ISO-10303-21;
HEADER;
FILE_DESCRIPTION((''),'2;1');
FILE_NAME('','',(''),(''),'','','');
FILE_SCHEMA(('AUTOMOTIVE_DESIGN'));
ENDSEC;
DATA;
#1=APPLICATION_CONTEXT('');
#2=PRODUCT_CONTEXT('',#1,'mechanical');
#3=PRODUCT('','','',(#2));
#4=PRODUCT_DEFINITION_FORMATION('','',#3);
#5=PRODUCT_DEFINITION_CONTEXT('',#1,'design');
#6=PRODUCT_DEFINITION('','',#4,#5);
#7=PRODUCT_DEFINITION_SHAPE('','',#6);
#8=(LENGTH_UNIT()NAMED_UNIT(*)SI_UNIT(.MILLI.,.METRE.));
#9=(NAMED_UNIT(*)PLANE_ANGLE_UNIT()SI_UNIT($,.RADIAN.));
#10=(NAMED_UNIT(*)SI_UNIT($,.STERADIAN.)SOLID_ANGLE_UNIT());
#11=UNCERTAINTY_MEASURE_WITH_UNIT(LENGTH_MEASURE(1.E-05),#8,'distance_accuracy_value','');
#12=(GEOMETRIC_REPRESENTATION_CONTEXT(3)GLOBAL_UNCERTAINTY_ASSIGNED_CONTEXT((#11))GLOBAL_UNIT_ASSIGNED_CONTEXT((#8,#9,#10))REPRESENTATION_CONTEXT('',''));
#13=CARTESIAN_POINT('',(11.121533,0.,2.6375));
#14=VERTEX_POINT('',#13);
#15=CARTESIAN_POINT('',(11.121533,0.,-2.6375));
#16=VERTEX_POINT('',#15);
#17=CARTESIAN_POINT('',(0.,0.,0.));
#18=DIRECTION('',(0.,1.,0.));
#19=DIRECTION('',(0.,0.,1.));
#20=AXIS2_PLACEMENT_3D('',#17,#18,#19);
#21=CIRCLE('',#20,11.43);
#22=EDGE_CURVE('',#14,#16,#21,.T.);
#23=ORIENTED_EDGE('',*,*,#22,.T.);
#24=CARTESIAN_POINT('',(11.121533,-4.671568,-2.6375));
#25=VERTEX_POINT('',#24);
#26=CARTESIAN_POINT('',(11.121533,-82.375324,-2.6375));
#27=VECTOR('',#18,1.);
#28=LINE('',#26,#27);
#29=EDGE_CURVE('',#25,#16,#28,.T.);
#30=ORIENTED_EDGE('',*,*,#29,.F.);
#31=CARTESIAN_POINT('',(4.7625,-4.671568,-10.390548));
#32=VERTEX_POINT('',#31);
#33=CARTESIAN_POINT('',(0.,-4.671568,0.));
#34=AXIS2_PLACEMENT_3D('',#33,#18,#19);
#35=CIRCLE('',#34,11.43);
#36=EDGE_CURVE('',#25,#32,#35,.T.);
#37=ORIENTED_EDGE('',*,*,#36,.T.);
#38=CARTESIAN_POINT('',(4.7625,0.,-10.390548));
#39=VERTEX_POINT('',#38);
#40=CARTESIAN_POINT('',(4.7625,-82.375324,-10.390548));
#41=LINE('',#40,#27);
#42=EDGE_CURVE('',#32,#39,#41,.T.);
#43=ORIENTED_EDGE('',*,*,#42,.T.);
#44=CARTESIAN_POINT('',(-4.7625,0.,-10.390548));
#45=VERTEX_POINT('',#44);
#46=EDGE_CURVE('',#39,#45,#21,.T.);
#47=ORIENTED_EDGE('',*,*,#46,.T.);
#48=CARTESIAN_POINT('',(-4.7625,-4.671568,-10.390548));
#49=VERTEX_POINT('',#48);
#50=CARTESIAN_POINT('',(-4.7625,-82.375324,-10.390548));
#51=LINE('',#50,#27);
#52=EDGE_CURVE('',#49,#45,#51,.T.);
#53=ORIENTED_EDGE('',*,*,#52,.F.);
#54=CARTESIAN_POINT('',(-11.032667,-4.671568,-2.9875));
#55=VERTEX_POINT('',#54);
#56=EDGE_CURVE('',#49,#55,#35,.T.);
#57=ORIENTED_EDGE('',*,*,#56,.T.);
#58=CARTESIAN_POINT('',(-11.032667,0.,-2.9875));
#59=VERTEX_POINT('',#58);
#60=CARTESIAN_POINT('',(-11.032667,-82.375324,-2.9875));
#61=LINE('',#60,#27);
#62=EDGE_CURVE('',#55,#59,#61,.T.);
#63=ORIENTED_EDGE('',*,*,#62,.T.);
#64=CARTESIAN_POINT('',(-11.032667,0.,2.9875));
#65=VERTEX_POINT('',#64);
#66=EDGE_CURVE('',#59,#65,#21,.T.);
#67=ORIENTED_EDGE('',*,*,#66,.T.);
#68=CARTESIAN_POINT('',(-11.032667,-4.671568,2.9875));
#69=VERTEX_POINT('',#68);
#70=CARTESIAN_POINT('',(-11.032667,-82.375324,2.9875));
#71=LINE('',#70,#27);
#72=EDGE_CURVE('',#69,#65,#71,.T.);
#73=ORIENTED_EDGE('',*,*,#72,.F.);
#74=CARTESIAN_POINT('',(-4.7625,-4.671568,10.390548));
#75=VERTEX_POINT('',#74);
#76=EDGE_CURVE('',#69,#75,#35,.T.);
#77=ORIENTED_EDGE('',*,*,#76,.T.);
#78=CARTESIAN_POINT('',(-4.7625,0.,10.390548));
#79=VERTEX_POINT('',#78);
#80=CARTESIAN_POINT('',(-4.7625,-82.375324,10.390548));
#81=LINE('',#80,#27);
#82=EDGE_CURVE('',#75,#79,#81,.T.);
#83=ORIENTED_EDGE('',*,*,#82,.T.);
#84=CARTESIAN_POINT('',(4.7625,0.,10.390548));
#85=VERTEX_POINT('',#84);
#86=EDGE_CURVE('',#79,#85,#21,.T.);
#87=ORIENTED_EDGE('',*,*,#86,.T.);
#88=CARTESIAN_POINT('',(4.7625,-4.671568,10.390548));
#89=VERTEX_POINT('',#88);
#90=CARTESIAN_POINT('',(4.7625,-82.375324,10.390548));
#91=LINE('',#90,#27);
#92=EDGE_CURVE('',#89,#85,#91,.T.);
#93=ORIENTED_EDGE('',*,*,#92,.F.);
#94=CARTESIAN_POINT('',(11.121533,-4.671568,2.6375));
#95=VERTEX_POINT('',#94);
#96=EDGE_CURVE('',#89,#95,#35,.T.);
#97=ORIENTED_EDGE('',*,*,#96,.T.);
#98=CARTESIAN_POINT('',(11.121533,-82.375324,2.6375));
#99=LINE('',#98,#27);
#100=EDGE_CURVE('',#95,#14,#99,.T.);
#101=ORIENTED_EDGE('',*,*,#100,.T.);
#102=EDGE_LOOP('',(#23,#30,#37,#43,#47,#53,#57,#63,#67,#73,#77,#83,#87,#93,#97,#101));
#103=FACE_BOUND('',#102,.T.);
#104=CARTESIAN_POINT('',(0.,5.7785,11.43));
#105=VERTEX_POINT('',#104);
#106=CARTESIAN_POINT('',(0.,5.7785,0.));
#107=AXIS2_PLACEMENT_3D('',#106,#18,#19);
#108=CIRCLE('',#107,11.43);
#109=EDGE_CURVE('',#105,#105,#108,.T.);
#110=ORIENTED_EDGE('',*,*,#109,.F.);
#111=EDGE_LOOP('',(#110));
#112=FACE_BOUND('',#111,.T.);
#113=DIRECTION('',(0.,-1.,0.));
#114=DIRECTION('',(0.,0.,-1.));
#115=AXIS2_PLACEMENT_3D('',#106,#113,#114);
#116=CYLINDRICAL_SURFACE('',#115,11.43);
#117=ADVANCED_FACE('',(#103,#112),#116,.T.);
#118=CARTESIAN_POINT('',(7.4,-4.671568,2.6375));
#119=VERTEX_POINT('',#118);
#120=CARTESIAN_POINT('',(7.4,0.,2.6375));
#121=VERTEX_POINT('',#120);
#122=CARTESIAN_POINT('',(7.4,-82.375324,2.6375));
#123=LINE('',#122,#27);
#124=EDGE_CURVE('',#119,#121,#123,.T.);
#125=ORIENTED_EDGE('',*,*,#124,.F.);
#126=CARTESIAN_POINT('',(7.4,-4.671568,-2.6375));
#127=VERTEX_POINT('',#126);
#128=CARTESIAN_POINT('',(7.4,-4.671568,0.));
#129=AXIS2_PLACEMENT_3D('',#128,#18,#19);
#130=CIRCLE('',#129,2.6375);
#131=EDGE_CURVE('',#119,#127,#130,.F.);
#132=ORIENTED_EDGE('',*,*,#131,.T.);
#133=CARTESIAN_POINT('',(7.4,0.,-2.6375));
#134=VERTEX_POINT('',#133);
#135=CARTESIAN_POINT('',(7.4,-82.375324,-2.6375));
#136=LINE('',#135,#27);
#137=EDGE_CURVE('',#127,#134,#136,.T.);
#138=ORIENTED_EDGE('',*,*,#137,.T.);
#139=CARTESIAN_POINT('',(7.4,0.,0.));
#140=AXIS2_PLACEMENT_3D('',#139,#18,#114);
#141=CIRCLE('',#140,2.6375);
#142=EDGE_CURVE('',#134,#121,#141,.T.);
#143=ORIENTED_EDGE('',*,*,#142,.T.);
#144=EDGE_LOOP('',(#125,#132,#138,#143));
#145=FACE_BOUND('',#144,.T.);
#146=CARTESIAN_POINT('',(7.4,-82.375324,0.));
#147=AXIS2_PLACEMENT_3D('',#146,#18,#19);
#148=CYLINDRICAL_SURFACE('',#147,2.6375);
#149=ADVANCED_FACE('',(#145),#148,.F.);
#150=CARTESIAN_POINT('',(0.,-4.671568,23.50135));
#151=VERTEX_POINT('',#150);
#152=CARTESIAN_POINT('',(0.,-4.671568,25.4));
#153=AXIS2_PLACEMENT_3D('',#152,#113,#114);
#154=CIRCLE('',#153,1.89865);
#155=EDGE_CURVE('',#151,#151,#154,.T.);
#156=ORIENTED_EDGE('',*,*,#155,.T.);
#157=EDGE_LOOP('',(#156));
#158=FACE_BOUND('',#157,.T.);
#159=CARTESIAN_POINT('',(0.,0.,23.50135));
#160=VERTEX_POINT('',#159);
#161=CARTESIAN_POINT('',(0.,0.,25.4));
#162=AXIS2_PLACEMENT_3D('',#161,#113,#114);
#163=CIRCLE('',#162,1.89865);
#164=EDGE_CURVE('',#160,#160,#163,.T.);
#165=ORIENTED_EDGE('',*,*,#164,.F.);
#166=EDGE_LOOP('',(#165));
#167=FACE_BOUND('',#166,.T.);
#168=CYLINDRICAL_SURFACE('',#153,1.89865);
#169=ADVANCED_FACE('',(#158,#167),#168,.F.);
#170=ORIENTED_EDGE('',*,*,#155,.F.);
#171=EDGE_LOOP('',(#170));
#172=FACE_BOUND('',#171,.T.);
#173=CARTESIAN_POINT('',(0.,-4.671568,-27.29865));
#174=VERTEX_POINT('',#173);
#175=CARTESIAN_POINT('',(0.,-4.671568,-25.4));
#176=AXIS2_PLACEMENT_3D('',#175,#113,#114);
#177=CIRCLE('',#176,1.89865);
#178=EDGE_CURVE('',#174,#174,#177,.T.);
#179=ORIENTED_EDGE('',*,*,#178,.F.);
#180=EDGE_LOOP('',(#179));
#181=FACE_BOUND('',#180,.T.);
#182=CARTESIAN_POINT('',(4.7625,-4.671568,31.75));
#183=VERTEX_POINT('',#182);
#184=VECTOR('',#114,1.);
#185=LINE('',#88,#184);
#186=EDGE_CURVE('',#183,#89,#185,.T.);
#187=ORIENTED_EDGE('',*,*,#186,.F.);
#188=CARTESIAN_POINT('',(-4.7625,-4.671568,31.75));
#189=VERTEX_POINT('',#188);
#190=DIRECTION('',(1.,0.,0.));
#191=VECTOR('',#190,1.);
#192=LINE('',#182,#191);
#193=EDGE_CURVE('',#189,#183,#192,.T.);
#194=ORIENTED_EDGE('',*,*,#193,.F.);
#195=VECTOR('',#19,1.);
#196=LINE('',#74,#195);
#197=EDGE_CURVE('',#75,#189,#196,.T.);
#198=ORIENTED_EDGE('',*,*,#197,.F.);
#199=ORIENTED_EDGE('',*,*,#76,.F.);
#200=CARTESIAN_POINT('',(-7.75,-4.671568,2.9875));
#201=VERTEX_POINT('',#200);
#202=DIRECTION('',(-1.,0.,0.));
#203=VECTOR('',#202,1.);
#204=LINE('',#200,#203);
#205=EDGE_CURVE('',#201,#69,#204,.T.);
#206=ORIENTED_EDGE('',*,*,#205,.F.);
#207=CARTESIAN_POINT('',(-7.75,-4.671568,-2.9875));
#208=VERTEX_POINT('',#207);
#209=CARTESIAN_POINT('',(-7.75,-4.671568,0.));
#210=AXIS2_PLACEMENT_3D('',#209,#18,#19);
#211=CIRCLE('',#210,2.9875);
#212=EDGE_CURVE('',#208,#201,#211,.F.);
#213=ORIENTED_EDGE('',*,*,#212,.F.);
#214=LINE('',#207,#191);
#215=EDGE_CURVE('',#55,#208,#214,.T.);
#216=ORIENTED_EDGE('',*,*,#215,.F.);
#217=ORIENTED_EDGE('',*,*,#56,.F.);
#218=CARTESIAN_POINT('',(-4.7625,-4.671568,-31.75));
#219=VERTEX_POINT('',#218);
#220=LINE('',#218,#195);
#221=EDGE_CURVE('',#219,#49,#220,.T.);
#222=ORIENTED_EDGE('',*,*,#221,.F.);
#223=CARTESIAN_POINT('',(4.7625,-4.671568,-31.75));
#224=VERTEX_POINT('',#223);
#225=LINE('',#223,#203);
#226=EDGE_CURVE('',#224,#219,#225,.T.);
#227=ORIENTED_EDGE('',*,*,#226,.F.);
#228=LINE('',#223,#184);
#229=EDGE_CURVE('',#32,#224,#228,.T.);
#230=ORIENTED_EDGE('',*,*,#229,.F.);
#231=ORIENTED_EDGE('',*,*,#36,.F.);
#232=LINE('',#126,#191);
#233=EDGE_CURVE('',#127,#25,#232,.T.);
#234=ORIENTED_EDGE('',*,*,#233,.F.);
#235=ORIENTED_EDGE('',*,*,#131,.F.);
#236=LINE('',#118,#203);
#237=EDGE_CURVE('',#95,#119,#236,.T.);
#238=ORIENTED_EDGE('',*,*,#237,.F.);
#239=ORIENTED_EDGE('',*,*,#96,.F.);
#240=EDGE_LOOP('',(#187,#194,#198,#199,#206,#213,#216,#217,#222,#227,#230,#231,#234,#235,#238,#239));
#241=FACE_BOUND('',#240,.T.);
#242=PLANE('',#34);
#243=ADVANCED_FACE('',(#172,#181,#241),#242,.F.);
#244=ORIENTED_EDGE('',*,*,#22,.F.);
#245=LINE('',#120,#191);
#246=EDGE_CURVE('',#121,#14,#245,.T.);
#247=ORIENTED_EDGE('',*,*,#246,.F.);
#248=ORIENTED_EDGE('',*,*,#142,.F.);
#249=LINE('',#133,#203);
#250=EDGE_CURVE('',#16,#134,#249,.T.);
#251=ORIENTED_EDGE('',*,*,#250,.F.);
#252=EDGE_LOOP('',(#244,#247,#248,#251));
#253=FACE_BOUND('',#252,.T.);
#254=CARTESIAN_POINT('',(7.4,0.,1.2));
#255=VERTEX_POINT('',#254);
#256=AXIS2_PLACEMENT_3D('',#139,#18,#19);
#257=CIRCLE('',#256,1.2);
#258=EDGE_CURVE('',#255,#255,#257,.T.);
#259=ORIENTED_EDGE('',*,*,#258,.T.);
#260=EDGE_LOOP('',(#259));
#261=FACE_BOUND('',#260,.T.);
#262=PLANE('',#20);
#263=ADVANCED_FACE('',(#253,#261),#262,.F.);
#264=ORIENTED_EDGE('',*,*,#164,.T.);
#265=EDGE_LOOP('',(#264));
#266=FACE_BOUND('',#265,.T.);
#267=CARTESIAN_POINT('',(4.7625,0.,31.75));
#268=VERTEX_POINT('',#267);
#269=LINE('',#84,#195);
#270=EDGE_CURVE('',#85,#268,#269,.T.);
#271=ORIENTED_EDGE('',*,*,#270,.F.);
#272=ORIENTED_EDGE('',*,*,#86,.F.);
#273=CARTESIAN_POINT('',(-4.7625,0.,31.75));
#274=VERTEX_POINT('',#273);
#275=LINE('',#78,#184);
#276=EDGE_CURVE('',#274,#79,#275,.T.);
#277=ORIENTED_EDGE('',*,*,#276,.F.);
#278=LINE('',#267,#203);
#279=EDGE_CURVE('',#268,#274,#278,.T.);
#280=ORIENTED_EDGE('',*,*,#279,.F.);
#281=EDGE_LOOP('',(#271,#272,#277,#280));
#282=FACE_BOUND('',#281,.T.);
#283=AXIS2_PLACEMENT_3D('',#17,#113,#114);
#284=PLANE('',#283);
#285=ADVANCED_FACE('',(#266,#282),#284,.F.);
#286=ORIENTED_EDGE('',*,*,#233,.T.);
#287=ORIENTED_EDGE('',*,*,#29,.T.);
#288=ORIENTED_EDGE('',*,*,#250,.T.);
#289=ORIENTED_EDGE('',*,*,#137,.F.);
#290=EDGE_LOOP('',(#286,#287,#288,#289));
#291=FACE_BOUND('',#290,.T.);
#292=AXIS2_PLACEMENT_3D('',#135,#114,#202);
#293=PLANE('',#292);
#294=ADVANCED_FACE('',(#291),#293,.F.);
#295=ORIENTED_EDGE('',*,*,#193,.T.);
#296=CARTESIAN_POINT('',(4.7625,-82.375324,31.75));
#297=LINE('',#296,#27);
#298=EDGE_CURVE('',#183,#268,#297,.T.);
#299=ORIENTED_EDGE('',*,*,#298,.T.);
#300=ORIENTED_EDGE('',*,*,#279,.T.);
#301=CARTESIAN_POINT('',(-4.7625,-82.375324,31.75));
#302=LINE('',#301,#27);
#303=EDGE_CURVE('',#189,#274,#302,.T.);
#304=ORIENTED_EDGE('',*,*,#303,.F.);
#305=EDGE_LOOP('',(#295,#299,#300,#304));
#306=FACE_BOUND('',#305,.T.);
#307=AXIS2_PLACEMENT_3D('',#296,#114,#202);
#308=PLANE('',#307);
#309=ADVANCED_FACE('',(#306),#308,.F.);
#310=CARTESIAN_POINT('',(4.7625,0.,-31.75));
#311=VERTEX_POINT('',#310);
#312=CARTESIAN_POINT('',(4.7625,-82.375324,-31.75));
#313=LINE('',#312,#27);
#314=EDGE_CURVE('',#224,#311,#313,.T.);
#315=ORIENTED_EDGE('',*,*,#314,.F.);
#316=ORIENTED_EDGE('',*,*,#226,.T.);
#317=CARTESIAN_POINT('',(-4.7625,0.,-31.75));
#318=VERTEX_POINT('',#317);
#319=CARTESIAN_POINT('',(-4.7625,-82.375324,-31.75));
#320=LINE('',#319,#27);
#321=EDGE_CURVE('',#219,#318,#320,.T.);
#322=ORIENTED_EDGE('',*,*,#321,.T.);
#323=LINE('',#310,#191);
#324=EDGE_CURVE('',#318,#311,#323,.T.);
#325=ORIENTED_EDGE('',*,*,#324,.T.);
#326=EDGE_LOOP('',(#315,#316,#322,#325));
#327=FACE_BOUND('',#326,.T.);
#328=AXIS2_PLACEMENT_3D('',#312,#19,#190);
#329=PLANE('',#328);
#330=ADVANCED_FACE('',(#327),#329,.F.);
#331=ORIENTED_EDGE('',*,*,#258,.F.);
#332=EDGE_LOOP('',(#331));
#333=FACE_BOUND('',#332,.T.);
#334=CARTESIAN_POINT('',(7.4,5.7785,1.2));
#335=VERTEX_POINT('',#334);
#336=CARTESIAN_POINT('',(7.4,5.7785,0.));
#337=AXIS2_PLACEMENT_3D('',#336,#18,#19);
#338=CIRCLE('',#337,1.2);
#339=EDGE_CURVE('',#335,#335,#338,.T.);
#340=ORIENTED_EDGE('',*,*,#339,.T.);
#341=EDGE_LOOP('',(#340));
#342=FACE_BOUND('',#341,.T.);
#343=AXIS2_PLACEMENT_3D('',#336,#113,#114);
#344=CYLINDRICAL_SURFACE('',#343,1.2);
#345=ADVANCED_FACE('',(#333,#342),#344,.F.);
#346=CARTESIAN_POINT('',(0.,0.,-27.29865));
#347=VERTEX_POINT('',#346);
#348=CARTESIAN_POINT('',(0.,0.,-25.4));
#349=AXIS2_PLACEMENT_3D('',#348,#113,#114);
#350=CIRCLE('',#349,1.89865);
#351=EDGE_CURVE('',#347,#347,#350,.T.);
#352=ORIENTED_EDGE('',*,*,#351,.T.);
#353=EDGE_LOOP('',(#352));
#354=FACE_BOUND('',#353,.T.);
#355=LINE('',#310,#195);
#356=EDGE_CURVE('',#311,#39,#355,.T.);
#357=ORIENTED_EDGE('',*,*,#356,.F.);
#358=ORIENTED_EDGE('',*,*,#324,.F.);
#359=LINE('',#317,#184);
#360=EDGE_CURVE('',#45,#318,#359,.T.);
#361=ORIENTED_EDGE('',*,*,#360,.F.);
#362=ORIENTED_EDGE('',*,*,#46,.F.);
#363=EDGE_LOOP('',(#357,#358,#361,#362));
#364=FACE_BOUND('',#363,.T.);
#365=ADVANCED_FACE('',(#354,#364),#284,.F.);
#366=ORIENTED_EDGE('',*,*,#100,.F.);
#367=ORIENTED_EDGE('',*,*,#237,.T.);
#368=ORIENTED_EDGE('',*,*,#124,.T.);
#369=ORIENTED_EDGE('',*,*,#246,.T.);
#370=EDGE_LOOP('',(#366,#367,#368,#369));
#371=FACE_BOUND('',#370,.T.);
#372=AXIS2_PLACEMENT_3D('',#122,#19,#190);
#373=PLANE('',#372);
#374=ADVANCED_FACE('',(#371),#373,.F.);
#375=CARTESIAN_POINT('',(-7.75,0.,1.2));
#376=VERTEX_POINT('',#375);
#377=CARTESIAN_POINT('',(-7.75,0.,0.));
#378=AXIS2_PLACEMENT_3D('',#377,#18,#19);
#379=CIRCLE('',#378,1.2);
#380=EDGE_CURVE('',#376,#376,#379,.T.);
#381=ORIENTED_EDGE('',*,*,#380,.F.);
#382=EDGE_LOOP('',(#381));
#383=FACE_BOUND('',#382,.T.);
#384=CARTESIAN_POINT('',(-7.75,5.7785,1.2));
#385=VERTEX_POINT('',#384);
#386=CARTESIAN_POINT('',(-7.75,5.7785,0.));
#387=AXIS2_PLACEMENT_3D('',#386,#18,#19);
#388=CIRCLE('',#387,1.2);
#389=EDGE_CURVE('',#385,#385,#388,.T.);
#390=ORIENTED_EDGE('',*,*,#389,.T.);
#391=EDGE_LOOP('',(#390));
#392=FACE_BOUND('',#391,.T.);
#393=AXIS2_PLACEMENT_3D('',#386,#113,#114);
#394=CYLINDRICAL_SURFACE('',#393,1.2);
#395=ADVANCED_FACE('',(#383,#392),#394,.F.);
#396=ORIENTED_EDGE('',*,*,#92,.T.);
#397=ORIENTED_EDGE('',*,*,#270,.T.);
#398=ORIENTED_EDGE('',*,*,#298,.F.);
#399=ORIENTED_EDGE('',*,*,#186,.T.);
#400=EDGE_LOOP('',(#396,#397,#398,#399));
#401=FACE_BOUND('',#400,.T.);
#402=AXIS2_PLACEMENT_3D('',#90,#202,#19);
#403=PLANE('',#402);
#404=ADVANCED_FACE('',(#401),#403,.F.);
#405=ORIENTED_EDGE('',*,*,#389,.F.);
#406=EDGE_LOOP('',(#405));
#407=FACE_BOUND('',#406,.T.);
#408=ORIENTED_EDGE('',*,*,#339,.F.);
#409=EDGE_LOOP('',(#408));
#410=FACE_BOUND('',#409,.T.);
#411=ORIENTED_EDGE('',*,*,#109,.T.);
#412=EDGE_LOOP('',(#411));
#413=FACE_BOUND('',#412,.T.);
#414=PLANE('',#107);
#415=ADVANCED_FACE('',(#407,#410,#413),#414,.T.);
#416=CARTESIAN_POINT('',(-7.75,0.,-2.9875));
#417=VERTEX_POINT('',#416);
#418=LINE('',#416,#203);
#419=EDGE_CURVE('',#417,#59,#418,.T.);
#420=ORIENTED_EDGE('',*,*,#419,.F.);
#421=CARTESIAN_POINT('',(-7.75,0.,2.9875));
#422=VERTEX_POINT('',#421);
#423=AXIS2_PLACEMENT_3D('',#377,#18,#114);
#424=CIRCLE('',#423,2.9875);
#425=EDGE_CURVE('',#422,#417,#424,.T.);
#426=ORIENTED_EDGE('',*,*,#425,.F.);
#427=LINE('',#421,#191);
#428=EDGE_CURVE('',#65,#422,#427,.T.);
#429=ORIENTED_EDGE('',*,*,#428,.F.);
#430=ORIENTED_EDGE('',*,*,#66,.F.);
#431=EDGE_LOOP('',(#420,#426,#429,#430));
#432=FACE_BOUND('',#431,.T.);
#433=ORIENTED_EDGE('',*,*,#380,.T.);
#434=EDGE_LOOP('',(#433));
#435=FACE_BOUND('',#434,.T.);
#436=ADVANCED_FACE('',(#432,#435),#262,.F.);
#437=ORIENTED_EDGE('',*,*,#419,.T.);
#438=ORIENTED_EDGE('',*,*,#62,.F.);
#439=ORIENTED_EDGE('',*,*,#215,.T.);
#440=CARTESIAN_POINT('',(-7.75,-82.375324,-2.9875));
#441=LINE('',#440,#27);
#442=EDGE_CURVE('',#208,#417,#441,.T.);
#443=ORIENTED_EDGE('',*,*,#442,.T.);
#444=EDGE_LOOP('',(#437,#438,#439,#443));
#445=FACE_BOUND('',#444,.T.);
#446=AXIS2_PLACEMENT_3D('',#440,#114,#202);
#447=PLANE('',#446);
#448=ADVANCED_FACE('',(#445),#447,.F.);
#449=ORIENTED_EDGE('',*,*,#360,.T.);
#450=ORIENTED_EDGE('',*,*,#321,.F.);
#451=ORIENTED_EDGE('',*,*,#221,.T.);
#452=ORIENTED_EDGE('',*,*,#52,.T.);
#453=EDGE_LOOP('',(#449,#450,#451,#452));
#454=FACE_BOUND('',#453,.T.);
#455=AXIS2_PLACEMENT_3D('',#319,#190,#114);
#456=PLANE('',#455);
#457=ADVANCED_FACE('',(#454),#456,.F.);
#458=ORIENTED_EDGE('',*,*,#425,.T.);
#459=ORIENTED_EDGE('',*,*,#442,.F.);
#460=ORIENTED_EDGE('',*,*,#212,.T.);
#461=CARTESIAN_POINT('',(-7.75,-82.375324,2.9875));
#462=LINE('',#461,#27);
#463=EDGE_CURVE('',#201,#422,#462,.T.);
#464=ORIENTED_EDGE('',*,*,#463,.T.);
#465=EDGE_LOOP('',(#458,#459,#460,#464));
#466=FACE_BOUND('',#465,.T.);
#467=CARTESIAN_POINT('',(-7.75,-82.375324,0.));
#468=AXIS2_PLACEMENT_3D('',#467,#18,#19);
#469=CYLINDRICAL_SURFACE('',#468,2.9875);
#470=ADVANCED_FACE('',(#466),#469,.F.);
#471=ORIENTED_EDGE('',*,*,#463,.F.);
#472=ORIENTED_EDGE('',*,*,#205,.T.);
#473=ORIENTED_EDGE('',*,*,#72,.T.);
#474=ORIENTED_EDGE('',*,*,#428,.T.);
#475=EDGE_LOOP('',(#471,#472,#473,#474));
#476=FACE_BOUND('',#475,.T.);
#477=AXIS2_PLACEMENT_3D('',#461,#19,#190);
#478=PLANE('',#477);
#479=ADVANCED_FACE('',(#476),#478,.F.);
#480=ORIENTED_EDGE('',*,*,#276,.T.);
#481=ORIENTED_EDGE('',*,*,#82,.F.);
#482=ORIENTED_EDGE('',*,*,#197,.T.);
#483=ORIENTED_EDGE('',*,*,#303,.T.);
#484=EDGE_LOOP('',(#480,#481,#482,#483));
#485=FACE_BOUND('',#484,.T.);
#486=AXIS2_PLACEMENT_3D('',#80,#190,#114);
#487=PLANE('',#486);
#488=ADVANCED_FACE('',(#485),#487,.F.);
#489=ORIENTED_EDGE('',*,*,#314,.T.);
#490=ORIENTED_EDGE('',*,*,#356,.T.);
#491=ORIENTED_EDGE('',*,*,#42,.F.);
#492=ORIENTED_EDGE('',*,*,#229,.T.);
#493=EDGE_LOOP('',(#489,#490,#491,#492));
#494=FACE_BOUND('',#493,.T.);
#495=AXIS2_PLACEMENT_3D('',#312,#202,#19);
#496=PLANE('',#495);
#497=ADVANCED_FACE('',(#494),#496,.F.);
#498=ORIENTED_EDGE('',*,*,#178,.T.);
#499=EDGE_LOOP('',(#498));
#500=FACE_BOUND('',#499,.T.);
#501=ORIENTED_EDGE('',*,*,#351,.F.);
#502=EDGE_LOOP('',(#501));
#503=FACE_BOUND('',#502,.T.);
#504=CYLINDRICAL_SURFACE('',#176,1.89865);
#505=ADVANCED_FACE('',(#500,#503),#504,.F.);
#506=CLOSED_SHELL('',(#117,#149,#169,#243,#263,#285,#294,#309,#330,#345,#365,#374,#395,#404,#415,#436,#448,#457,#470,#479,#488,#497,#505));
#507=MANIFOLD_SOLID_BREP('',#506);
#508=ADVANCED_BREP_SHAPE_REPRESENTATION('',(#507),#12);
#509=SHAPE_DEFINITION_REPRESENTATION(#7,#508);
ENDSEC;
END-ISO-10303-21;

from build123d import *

# Parameters (mm, degrees)
SKETCH1_R             = 11.43
SKETCH1_R_2           = 1.2
BOSS_EXTRUDE1_DEPTH   = 5.7785
BOSS_EXTRUDE2_DEPTH   = 4.671568
F_6_CLEARANCE_HOLE1_D = 3.7973


with BuildPart() as part:
    # Sketch1 → Boss-Extrude1 (new body)
    with BuildSketch(Plane(origin=(0, 0, 0), x_dir=(1, 0, 0), z_dir=(0, 1, 0))):
        Circle(SKETCH1_R)
        with Locations((-7.75, 0)):
            Circle(SKETCH1_R_2, mode=Mode.SUBTRACT)
        with Locations((7.4, 0)):
            Circle(SKETCH1_R_2, mode=Mode.SUBTRACT)
    extrude(amount=BOSS_EXTRUDE1_DEPTH)

    # Sketch2 → Boss-Extrude2 (add)
    with BuildSketch(Plane.XZ):
        with BuildLine():
            Line((-7.75, -2.9875), (-11.032667119, -2.9875))
            ThreePointArc((-11.032667119, -2.9875), (-8.721989857, -7.387272361), (-4.7625, -10.390548289))
            Line((-4.7625, -10.390548289), (-4.7625, -31.75))
            Line((-4.7625, -31.75), (4.7625, -31.75))
            Line((4.7625, -31.75), (4.7625, -10.390548289))
            ThreePointArc((4.7625, -10.390548289), (8.837593826, -7.248574713), (11.121532887, -2.6375))
            Line((11.121532887, -2.6375), (7.4, -2.6375))
            ThreePointArc((7.4, -2.6375), (4.7625, 0), (7.4, 2.6375))
            Line((7.4, 2.6375), (11.121532887, 2.6375))
            ThreePointArc((11.121532887, 2.6375), (8.837593826, 7.248574713), (4.7625, 10.390548289))
            Line((4.7625, 10.390548289), (4.7625, 31.75))
            Line((4.7625, 31.75), (-4.7625, 31.75))
            Line((-4.7625, 31.75), (-4.7625, 10.390548289))
            ThreePointArc((-4.7625, 10.390548289), (-8.721989857, 7.387272361), (-11.032667119, 2.9875))
            Line((-11.032667119, 2.9875), (-7.75, 2.9875))
            ThreePointArc((-7.75, 2.9875), (-4.7625, 0), (-7.75, -2.9875))
        make_face()
    extrude(amount=BOSS_EXTRUDE2_DEPTH)

    # #6 Clearance Hole1 (through all)
    with Locations(Plane(origin=(0, -4.671568, 0), x_dir=(-1, 0, 0), z_dir=(0, -1, 0))):
        with Locations((0, 25.4), (0, -25.4)):
            Hole(F_6_CLEARANCE_HOLE1_D / 2)


solid = part.part
